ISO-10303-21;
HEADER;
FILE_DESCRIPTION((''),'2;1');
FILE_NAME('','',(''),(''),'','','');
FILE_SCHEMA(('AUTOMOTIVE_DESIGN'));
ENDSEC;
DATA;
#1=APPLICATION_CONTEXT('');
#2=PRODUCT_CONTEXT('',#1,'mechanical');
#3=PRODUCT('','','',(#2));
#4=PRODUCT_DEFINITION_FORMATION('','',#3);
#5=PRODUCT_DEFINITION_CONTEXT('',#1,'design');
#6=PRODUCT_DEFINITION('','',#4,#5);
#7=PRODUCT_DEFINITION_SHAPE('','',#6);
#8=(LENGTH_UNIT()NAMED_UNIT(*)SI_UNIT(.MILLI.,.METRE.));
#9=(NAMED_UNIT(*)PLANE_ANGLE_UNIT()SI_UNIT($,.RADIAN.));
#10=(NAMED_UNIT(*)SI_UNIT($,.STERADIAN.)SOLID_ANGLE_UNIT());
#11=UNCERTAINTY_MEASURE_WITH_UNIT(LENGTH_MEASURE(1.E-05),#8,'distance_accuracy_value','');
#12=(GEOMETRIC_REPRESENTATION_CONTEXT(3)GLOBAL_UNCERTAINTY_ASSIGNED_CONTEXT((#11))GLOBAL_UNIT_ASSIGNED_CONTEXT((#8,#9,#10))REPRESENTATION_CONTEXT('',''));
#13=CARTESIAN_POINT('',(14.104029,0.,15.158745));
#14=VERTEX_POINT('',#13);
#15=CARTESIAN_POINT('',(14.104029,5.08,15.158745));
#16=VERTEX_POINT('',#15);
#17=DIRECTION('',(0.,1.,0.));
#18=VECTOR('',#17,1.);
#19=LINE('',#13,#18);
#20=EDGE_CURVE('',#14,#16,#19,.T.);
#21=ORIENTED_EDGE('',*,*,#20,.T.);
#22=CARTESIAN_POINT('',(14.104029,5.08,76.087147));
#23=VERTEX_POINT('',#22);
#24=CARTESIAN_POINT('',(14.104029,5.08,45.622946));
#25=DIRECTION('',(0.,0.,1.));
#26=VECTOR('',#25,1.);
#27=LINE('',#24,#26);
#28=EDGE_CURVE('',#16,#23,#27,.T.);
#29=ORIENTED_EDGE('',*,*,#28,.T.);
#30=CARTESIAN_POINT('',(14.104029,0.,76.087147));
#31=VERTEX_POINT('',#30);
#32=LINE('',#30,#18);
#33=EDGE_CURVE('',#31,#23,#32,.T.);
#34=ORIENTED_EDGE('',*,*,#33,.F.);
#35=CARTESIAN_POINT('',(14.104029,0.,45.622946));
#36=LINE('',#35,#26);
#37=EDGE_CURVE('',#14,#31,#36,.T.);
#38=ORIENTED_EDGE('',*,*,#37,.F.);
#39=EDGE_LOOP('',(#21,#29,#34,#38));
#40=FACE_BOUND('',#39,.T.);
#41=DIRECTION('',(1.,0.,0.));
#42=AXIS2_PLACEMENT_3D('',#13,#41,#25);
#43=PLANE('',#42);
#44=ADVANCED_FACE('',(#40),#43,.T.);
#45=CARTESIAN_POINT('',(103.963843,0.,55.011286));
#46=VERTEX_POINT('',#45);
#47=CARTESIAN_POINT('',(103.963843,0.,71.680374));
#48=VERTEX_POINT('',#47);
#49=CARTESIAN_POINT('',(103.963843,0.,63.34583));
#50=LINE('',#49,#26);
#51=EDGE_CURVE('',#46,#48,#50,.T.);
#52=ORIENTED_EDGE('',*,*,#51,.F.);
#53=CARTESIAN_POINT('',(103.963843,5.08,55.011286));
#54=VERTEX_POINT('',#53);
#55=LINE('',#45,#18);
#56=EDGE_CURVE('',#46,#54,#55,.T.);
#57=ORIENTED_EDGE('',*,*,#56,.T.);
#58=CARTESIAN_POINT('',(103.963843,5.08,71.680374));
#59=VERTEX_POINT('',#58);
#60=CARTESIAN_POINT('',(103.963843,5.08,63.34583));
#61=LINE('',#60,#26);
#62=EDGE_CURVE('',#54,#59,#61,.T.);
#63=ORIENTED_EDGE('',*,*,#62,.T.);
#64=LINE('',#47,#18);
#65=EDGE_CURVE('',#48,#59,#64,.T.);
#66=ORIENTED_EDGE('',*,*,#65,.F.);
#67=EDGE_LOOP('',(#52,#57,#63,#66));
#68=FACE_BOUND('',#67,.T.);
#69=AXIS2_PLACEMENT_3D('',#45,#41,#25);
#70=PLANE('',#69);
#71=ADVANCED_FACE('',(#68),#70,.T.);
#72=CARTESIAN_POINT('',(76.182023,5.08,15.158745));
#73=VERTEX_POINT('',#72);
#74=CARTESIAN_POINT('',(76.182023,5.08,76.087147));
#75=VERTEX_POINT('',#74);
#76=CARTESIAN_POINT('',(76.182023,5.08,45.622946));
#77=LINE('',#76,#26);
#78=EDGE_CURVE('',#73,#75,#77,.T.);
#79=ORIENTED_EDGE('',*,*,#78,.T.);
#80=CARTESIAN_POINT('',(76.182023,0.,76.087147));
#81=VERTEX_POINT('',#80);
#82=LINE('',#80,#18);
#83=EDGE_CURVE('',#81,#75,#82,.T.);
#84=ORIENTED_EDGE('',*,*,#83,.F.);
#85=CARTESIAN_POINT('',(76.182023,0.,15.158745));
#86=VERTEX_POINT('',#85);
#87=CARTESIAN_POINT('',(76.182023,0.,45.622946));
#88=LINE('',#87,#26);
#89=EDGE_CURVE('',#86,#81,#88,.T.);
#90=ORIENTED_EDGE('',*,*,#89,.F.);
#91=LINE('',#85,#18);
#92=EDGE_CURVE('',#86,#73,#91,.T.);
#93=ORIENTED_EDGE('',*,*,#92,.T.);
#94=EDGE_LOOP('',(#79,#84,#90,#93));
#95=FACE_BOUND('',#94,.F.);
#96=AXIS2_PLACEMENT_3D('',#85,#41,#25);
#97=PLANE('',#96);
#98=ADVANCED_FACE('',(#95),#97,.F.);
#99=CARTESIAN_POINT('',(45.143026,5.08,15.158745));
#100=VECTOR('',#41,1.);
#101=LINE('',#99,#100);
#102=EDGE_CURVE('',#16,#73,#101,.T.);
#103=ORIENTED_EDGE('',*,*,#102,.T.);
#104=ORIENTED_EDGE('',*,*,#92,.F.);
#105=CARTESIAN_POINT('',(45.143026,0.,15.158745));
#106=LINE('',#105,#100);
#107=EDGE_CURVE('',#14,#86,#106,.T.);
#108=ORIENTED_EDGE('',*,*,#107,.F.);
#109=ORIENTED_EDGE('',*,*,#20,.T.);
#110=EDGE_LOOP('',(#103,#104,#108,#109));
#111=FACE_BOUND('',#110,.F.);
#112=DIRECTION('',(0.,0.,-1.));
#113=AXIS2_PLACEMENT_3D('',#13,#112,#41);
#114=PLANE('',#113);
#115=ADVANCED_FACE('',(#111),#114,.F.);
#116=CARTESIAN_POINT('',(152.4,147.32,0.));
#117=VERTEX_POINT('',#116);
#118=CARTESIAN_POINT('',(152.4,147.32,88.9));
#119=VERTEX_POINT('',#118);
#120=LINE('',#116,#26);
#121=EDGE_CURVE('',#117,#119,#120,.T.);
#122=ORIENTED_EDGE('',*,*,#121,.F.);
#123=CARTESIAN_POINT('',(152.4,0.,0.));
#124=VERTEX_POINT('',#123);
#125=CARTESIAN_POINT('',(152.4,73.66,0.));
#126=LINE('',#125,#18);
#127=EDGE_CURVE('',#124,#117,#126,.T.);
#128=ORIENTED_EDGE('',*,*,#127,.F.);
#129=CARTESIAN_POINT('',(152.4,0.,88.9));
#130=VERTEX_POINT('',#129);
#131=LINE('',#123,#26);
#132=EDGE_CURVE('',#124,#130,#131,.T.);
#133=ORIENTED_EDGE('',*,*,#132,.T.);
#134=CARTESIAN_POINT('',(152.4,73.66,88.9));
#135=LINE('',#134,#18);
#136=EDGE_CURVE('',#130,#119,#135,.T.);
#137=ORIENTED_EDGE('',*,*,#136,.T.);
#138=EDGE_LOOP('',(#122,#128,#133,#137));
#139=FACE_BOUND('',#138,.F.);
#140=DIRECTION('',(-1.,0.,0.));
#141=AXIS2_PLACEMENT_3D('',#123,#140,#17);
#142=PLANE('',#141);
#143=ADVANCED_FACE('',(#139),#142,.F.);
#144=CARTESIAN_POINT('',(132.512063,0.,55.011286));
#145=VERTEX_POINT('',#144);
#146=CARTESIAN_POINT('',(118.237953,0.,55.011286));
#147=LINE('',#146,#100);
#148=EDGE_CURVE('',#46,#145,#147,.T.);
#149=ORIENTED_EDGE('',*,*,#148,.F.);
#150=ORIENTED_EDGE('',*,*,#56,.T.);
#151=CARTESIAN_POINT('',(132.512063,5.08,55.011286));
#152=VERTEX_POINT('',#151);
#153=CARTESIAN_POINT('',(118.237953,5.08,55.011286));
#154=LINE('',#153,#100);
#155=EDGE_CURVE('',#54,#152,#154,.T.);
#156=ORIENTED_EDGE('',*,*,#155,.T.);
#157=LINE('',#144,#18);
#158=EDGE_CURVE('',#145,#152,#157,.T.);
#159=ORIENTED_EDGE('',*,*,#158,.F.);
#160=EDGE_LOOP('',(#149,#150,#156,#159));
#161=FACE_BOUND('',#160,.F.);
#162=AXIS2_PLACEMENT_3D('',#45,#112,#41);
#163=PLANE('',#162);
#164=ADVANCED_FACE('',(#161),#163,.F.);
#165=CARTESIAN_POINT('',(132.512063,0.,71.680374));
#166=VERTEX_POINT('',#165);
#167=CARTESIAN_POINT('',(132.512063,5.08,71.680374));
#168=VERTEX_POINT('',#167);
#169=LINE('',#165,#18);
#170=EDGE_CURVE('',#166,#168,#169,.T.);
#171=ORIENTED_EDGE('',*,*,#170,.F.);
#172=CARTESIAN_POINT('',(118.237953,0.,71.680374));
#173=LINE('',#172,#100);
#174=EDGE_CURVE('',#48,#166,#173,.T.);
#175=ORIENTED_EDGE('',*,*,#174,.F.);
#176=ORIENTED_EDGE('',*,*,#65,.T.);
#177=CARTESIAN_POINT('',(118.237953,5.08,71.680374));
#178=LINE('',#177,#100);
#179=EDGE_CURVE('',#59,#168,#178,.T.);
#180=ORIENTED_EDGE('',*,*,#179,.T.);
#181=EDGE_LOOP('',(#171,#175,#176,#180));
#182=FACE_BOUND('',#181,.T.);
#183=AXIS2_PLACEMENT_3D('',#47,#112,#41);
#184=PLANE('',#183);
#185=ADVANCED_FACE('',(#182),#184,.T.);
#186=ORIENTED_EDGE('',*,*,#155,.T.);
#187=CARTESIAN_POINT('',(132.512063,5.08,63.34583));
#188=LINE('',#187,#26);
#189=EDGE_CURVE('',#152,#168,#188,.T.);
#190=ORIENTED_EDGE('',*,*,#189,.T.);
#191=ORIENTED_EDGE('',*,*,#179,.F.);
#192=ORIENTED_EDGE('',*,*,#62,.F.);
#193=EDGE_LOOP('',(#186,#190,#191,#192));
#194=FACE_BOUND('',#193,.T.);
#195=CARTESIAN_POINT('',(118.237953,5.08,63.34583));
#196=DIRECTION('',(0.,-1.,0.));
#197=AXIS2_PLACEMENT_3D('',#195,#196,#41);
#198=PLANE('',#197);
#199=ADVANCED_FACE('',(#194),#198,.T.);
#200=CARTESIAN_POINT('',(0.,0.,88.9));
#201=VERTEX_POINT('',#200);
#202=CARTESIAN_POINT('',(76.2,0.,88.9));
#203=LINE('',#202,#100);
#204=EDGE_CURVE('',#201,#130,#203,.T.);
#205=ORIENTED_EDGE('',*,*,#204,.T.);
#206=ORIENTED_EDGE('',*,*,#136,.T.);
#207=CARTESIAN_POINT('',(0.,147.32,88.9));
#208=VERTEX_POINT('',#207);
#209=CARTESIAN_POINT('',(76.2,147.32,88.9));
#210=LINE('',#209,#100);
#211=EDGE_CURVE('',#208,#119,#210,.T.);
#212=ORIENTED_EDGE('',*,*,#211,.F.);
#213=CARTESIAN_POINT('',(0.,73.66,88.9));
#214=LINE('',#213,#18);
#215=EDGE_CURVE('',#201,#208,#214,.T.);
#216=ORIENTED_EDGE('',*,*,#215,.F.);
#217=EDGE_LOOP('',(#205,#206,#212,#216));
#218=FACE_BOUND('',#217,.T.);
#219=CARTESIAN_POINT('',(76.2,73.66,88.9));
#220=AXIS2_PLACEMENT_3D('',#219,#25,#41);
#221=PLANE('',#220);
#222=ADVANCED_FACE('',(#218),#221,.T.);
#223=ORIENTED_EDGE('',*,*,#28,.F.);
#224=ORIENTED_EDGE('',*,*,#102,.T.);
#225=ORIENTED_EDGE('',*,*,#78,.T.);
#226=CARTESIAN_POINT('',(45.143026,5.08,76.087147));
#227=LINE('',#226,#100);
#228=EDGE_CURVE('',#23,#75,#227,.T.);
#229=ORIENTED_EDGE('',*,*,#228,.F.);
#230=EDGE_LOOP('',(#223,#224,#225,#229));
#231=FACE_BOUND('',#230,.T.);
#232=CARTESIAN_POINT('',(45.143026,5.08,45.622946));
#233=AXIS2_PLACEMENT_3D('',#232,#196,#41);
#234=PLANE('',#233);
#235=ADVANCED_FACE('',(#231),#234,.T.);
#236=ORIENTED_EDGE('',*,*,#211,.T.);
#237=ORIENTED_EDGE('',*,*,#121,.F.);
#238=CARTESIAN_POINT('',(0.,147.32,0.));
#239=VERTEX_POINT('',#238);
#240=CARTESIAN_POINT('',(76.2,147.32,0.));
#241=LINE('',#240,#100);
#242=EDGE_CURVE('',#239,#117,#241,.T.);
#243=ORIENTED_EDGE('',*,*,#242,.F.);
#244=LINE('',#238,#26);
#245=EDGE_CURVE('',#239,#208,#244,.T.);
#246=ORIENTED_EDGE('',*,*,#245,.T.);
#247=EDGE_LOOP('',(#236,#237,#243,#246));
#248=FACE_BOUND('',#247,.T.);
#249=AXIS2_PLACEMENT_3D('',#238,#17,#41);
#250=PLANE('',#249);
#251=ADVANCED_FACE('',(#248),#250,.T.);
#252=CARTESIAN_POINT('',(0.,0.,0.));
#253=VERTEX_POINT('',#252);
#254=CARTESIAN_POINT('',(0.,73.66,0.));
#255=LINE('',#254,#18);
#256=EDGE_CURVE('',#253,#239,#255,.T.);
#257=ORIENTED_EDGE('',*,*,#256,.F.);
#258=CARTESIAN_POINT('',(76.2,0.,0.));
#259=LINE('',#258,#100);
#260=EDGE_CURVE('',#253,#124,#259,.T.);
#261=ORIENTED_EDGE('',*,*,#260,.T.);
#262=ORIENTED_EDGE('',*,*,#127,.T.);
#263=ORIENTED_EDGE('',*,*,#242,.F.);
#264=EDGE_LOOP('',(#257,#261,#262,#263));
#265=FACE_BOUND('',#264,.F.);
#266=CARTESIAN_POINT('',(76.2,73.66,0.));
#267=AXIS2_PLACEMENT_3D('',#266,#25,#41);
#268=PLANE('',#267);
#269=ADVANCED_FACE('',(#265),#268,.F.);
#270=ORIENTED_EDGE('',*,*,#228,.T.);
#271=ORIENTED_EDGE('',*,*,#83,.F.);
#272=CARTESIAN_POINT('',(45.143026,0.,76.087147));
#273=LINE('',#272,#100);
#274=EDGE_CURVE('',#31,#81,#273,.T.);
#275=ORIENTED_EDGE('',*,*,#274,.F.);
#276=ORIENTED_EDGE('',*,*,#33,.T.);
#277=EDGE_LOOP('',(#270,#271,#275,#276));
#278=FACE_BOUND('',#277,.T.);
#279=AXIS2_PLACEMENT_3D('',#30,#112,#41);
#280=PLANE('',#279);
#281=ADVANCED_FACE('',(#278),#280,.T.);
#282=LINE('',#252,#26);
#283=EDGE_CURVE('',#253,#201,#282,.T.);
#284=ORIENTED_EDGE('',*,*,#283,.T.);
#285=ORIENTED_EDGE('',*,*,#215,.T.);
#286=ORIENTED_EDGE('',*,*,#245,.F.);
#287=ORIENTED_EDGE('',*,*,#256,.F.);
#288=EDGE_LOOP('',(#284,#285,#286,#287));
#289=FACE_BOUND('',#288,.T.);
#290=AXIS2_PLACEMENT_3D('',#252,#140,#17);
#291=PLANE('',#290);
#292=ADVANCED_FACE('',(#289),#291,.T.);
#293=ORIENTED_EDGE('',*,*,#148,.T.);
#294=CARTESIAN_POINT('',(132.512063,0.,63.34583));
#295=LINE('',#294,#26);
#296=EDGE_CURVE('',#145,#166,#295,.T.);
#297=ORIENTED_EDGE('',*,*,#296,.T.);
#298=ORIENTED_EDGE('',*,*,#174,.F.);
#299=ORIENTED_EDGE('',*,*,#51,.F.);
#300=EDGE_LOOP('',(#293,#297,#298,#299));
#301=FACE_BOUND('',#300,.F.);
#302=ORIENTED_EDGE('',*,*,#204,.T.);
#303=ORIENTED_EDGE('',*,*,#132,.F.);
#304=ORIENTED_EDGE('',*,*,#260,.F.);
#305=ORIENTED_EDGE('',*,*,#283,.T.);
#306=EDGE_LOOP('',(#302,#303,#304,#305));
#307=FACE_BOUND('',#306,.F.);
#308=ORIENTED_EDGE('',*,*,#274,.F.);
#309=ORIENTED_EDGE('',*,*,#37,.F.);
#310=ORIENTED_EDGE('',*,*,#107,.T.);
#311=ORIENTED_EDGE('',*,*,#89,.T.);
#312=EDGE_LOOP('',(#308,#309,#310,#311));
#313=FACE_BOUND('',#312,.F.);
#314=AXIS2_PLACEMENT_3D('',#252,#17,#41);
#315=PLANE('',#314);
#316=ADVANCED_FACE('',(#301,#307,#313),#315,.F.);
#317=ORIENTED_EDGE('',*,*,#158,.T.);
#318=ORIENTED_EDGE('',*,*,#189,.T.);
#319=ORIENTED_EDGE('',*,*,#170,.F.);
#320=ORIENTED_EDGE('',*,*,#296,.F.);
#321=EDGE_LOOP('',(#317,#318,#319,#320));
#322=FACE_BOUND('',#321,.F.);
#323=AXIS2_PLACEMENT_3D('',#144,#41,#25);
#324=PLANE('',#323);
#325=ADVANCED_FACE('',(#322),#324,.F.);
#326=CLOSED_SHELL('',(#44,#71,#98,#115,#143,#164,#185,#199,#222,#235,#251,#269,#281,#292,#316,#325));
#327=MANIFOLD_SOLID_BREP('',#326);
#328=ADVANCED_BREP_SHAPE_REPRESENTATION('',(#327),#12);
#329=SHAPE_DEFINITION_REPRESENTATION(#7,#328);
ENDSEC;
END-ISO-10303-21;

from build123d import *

# Parameters (mm, degrees)
F0_W     = 152.4
F0_H     = 147.32
F1_DEPTH = 88.9
F2_W     = 62.077993
F2_H     = 60.928402
F2_W_2   = 28.548219
F2_H_2   = 16.669087
F3_DEPTH = 5.08


with BuildPart() as f1:
    # F0 (on Top) → F1 (new body)
    with BuildSketch(Plane.XY):
        with Locations((76.2, 73.66)):
            Rectangle(F0_W, F0_H)
    extrude(amount=F1_DEPTH)

    # F2 (on face) → F3 (cut)
    with BuildSketch(Plane.XZ):
        with Locations((45.143026, 45.622946)):
            Rectangle(F2_W, F2_H)
        with Locations((118.237953, 63.34583)):
            Rectangle(F2_W_2, F2_H_2)
    extrude(amount=-F3_DEPTH, mode=Mode.SUBTRACT)


solid = f1.part
